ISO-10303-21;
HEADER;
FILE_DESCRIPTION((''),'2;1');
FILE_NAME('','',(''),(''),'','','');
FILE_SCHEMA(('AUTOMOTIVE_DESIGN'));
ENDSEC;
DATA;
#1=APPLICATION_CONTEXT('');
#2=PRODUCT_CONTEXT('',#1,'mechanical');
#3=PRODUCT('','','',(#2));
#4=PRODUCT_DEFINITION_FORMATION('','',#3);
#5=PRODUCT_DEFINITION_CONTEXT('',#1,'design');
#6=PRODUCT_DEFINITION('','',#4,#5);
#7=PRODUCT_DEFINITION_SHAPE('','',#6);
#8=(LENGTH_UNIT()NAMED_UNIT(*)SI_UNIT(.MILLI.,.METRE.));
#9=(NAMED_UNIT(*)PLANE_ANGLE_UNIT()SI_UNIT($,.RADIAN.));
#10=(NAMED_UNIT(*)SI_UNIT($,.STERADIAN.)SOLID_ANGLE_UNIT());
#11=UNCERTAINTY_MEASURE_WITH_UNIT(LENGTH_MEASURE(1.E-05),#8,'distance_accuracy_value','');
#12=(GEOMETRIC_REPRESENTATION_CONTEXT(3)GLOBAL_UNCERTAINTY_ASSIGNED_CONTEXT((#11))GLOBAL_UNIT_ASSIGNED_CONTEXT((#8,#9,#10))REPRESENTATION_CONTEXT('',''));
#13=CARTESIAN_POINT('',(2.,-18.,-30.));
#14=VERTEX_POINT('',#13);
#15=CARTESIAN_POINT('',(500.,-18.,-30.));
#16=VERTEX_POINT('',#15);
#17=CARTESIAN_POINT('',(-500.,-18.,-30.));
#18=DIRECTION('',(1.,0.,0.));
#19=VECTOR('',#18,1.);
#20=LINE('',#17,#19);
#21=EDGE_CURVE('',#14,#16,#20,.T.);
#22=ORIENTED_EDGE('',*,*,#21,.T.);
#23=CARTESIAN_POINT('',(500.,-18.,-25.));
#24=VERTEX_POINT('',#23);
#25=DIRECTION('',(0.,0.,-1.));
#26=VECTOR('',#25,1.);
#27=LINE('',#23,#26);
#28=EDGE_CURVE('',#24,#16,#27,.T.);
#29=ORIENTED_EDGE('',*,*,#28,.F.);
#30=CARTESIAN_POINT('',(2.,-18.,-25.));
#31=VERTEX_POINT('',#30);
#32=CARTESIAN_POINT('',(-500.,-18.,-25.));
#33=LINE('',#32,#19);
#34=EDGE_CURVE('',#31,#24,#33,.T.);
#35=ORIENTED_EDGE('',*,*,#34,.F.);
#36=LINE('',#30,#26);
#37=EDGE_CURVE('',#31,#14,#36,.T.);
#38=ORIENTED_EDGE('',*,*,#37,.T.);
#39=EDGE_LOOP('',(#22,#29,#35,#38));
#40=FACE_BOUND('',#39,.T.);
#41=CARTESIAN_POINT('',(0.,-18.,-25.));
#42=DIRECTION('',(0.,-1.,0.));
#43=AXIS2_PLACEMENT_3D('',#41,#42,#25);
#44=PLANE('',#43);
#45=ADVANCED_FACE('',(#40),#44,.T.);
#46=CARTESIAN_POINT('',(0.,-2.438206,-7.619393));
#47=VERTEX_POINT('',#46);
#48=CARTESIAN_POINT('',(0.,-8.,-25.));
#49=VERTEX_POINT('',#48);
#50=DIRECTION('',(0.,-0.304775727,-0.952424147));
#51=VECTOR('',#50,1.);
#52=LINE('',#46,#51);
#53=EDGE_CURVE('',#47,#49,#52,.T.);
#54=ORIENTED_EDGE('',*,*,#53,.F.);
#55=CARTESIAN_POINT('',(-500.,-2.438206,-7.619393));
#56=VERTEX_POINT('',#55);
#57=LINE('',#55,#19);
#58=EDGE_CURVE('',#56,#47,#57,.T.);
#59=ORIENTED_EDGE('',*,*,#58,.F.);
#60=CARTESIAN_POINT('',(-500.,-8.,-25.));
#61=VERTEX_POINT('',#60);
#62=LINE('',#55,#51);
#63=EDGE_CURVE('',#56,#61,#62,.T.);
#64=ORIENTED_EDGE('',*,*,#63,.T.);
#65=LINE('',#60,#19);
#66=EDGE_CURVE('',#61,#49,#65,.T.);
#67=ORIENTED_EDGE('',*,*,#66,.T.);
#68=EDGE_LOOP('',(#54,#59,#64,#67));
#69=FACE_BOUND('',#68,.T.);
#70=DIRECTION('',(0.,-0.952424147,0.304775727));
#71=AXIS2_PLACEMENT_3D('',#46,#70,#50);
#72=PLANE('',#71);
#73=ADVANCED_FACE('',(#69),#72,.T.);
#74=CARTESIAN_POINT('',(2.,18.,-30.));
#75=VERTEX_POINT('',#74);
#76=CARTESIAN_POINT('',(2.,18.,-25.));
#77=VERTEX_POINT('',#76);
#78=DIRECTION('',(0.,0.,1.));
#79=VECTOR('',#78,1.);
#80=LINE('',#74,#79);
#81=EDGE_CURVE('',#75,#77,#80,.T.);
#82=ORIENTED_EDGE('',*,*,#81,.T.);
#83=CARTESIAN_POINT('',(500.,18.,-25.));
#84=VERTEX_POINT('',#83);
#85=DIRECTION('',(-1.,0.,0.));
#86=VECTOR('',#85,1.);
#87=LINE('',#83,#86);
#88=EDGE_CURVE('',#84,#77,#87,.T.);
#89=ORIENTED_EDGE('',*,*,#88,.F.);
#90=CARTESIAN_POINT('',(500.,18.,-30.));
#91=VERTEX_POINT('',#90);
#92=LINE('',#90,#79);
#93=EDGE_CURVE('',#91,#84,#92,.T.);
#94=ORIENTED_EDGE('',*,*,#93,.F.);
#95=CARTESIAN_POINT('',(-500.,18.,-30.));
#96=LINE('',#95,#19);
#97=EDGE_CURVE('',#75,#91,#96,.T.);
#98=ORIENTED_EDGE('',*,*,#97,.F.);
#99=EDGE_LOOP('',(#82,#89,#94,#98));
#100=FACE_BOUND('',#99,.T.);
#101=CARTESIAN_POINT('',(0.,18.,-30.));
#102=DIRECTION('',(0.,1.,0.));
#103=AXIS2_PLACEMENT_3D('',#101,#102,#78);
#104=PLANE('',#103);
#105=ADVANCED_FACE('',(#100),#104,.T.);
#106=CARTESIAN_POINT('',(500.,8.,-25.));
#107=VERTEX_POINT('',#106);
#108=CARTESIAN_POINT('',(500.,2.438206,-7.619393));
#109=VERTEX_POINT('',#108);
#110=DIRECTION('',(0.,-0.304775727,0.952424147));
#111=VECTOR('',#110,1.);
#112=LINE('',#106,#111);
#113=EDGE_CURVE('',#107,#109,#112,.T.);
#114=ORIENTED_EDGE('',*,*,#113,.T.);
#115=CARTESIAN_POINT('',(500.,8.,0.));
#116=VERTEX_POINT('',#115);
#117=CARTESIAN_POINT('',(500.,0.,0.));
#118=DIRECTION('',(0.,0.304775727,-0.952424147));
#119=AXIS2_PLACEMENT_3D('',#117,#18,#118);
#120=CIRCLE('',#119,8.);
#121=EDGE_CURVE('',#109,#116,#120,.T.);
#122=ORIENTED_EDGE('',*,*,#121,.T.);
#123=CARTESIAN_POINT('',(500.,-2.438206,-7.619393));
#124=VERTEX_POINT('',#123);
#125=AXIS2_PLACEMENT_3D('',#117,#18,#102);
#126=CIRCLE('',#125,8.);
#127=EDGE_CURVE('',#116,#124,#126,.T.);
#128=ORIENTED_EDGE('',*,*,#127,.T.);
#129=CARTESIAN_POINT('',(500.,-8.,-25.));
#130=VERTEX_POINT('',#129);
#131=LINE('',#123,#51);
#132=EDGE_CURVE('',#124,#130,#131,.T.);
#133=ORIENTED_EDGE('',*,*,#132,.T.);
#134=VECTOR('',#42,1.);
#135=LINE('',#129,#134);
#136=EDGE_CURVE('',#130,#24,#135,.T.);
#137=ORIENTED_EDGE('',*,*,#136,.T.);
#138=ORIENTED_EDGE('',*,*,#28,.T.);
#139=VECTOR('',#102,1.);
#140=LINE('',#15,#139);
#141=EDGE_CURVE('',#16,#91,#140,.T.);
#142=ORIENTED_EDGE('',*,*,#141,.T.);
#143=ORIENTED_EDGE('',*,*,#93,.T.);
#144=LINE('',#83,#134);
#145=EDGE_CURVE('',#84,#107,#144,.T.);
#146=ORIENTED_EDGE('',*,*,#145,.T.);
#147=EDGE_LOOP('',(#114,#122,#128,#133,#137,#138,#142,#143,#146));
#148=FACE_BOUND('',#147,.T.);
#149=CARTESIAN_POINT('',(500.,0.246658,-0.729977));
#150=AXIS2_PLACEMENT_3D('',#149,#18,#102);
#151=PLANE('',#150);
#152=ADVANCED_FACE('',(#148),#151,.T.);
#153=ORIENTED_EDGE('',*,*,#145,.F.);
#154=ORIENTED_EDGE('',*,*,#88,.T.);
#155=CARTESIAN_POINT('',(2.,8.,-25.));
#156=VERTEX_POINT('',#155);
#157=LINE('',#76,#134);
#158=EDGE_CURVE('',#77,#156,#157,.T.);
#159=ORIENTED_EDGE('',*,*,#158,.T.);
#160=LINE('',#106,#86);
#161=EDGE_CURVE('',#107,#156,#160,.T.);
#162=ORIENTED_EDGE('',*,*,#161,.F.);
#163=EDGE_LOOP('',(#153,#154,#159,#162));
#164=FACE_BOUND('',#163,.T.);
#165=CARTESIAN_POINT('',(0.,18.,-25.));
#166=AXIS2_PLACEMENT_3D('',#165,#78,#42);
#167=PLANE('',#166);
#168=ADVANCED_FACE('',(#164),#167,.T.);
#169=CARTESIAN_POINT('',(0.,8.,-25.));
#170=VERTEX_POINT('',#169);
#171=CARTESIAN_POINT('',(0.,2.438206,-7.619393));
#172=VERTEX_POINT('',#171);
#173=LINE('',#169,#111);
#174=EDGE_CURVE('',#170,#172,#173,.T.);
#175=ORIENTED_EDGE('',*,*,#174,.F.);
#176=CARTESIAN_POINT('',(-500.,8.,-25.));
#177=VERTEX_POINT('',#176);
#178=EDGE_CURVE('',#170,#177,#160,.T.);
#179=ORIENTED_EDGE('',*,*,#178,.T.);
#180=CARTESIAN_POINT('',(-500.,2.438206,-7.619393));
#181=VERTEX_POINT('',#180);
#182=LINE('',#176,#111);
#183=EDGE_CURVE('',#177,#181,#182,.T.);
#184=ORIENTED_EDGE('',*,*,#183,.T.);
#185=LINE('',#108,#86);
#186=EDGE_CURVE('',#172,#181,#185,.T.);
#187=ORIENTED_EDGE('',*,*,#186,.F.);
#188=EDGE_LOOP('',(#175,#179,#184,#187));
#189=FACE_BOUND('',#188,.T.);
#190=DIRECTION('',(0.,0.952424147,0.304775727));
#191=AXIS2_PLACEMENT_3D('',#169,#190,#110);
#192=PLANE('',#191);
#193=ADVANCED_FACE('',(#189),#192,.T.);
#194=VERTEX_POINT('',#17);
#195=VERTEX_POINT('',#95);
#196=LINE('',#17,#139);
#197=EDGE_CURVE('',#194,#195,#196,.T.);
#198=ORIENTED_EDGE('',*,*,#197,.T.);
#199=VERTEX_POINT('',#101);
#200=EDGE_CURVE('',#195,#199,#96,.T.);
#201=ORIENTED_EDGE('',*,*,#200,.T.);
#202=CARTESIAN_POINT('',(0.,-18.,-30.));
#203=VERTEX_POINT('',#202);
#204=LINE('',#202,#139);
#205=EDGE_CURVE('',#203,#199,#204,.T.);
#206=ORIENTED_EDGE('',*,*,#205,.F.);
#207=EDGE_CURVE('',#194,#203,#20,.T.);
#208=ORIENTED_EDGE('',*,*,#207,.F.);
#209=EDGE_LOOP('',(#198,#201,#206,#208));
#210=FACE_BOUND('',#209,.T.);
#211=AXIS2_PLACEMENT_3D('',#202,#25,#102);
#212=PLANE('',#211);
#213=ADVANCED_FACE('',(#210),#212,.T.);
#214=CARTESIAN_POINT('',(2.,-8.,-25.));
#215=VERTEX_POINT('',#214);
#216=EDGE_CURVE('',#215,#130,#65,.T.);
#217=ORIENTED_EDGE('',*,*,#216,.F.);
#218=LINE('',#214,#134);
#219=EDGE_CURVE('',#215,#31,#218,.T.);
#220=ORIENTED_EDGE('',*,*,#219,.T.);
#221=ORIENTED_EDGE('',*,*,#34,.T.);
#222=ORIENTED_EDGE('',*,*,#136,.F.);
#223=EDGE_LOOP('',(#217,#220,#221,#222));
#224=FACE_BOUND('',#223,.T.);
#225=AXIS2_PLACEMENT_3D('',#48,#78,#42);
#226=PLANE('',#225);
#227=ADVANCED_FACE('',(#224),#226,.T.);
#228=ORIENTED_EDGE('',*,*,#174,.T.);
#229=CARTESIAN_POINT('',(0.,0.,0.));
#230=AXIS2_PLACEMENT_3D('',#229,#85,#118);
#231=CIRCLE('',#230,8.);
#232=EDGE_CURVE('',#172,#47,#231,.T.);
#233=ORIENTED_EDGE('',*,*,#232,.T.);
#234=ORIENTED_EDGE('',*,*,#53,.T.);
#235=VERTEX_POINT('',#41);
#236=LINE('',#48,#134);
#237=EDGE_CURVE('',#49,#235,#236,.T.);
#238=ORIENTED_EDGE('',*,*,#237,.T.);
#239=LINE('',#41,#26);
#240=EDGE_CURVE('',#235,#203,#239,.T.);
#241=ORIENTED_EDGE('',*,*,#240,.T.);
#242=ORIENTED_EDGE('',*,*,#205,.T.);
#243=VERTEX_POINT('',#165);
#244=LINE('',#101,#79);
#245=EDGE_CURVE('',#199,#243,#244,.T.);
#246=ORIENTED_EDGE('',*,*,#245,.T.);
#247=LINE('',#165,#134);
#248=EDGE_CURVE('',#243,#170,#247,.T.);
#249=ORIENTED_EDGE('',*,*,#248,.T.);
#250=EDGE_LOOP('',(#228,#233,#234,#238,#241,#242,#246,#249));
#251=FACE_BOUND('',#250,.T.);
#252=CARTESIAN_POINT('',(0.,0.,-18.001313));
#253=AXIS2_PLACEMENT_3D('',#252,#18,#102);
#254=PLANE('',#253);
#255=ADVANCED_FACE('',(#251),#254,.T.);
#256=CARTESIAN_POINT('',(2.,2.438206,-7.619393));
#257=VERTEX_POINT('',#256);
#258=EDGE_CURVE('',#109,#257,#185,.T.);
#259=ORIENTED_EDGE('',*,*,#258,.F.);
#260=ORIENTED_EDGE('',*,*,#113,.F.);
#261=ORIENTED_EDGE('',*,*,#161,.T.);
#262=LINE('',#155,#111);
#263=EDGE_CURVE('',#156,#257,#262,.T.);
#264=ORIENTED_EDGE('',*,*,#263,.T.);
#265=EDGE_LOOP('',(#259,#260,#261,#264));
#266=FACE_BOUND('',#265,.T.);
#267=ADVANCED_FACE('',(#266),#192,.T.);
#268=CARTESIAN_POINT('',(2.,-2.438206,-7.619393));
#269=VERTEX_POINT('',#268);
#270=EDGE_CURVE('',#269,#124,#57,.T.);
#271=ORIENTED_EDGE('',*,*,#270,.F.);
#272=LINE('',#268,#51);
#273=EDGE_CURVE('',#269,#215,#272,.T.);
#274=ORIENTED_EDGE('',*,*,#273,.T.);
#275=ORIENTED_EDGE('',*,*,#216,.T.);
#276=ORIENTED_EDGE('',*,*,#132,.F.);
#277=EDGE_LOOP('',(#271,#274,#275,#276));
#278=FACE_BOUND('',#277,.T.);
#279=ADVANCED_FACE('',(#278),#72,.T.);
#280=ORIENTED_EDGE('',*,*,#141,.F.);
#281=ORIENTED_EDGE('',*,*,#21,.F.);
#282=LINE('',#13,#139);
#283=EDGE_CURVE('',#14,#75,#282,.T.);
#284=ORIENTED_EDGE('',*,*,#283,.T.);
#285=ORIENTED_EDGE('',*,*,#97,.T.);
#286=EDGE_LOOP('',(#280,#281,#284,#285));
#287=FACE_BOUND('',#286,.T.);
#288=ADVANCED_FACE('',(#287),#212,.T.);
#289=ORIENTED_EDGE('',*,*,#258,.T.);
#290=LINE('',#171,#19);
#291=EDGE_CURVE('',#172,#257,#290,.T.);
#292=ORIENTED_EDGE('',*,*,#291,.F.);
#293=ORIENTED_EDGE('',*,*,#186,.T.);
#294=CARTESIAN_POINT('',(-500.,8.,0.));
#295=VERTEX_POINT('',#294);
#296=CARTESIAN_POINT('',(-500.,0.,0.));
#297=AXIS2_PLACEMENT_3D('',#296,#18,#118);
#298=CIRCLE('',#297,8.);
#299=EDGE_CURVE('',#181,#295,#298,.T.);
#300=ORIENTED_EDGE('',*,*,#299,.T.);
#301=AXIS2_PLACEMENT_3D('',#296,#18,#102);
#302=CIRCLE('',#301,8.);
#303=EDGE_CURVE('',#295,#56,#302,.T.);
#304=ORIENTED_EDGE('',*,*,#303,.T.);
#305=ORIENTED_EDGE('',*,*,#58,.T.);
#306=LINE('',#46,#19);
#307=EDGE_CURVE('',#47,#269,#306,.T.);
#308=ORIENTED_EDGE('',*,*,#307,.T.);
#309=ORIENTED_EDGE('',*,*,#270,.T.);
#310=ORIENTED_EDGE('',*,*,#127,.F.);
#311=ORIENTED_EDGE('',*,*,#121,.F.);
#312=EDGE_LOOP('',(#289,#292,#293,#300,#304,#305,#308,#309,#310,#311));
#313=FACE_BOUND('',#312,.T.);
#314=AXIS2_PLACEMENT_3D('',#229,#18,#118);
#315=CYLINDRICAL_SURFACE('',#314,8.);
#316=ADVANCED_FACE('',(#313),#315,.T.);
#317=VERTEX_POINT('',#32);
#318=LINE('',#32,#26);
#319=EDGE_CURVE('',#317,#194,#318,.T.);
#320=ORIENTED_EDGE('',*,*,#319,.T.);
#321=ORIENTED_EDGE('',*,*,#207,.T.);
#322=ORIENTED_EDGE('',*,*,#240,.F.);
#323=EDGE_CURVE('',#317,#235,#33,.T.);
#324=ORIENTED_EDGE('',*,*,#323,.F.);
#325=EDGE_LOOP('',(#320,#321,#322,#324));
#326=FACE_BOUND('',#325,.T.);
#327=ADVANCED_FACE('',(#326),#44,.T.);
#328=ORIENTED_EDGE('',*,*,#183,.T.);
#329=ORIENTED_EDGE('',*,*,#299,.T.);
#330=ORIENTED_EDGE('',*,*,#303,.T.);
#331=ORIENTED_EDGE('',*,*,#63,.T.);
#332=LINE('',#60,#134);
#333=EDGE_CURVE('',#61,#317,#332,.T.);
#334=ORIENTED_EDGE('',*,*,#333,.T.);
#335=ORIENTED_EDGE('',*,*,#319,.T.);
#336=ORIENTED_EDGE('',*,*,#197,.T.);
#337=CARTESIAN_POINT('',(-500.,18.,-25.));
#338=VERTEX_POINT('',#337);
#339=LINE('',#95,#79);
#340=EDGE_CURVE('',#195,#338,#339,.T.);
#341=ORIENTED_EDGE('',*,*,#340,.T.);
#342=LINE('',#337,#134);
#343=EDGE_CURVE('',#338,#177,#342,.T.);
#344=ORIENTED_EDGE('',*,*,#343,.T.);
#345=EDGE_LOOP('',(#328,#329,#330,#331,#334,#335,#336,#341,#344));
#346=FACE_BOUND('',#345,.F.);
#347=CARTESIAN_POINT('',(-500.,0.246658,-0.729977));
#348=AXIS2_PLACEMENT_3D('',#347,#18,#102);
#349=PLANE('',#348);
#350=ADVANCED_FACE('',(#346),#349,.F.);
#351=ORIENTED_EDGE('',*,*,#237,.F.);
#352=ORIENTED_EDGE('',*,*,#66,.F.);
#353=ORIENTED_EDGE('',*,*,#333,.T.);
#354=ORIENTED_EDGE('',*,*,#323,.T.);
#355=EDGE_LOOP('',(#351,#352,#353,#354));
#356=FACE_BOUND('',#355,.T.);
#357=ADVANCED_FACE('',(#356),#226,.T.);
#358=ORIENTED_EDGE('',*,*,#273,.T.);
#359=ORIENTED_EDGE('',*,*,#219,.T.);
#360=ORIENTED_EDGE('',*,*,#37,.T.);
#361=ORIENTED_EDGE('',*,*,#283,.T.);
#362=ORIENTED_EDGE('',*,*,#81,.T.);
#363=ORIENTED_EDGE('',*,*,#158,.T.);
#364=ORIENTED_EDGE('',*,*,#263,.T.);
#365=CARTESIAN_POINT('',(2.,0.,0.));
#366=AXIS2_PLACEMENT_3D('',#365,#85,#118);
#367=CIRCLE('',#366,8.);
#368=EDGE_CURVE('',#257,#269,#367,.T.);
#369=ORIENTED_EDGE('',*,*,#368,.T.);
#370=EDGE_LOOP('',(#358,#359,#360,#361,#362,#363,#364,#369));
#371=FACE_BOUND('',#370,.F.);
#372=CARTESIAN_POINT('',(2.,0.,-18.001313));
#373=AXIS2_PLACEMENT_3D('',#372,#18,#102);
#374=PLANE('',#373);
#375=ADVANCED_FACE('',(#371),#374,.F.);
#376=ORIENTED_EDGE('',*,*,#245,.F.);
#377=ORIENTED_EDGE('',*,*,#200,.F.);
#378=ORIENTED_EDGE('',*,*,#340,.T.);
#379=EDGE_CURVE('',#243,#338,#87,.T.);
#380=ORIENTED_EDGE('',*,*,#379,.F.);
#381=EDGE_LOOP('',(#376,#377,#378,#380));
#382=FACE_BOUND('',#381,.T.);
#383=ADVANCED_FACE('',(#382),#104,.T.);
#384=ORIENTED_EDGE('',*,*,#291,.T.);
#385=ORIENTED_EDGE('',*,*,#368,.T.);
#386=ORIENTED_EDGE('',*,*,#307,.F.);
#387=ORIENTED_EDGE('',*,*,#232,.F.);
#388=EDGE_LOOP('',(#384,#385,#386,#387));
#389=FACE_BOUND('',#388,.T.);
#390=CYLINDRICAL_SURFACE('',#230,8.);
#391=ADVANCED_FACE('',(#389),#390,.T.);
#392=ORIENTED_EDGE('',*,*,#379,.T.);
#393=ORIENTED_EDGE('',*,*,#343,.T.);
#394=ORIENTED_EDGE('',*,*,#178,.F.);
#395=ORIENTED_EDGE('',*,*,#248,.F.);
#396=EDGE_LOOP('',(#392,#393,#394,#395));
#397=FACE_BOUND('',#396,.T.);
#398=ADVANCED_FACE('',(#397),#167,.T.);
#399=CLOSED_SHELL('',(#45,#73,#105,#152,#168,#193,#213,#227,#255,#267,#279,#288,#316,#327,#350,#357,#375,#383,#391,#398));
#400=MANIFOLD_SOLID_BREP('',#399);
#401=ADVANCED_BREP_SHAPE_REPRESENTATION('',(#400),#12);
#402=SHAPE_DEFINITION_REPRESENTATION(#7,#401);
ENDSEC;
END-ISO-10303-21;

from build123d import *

# Parameters (mm, degrees)
F1_DEPTH = 500
F2_DEPTH = 2


with BuildPart() as f1:
    # F0 (on Right) → F1 (new body, symmetric)
    with BuildSketch(Plane.YZ):
        with BuildLine():
            ThreePointArc((2.4382058168, -7.6193931776), (6.461642459, -4.7166912908), (8, 0))
            ThreePointArc((8, 0), (-4.7166912908, 6.461642459), (-2.4382058168, -7.6193931776))
            Line((-2.4382058168, -7.6193931776), (0, 0))
            Line((0, 0), (2.4382058168, -7.6193931776))
        make_face()
        with BuildLine():
            Line((0, 0), (-2.4382058168, -7.6193931776))
            ThreePointArc((-2.4382058168, -7.6193931776), (0, -8), (2.4382058168, -7.6193931776))
            Line((2.4382058168, -7.6193931776), (0, 0))
        make_face()
        with BuildLine():
            ThreePointArc((2.4382058168, -7.6193931776), (0, -8), (-2.4382058168, -7.6193931776))
            Line((-2.4382058168, -7.6193931776), (-8, -25))
            Line((-8, -25), (0, -25))
            Line((0, -25), (8, -25))
            Line((8, -25), (2.4382058168, -7.6193931776))
        make_face()
        Polygon((0, -25), (-8, -25), (-18, -25), (-18, -30), (18, -30), (18, -25), (8, -25), align=None)
    extrude(amount=F1_DEPTH, both=True)

    # F0 (on Right) → F2 (cut)
    with BuildSketch(Plane.YZ):
        with BuildLine():
            ThreePointArc((2.4382058168, -7.6193931776), (0, -8), (-2.4382058168, -7.6193931776))
            Line((-2.4382058168, -7.6193931776), (-8, -25))
            Line((-8, -25), (0, -25))
            Line((0, -25), (8, -25))
            Line((8, -25), (2.4382058168, -7.6193931776))
        make_face()
        Polygon((0, -25), (-8, -25), (-18, -25), (-18, -30), (18, -30), (18, -25), (8, -25), align=None)
    extrude(amount=F2_DEPTH, mode=Mode.SUBTRACT)


solid = f1.part
